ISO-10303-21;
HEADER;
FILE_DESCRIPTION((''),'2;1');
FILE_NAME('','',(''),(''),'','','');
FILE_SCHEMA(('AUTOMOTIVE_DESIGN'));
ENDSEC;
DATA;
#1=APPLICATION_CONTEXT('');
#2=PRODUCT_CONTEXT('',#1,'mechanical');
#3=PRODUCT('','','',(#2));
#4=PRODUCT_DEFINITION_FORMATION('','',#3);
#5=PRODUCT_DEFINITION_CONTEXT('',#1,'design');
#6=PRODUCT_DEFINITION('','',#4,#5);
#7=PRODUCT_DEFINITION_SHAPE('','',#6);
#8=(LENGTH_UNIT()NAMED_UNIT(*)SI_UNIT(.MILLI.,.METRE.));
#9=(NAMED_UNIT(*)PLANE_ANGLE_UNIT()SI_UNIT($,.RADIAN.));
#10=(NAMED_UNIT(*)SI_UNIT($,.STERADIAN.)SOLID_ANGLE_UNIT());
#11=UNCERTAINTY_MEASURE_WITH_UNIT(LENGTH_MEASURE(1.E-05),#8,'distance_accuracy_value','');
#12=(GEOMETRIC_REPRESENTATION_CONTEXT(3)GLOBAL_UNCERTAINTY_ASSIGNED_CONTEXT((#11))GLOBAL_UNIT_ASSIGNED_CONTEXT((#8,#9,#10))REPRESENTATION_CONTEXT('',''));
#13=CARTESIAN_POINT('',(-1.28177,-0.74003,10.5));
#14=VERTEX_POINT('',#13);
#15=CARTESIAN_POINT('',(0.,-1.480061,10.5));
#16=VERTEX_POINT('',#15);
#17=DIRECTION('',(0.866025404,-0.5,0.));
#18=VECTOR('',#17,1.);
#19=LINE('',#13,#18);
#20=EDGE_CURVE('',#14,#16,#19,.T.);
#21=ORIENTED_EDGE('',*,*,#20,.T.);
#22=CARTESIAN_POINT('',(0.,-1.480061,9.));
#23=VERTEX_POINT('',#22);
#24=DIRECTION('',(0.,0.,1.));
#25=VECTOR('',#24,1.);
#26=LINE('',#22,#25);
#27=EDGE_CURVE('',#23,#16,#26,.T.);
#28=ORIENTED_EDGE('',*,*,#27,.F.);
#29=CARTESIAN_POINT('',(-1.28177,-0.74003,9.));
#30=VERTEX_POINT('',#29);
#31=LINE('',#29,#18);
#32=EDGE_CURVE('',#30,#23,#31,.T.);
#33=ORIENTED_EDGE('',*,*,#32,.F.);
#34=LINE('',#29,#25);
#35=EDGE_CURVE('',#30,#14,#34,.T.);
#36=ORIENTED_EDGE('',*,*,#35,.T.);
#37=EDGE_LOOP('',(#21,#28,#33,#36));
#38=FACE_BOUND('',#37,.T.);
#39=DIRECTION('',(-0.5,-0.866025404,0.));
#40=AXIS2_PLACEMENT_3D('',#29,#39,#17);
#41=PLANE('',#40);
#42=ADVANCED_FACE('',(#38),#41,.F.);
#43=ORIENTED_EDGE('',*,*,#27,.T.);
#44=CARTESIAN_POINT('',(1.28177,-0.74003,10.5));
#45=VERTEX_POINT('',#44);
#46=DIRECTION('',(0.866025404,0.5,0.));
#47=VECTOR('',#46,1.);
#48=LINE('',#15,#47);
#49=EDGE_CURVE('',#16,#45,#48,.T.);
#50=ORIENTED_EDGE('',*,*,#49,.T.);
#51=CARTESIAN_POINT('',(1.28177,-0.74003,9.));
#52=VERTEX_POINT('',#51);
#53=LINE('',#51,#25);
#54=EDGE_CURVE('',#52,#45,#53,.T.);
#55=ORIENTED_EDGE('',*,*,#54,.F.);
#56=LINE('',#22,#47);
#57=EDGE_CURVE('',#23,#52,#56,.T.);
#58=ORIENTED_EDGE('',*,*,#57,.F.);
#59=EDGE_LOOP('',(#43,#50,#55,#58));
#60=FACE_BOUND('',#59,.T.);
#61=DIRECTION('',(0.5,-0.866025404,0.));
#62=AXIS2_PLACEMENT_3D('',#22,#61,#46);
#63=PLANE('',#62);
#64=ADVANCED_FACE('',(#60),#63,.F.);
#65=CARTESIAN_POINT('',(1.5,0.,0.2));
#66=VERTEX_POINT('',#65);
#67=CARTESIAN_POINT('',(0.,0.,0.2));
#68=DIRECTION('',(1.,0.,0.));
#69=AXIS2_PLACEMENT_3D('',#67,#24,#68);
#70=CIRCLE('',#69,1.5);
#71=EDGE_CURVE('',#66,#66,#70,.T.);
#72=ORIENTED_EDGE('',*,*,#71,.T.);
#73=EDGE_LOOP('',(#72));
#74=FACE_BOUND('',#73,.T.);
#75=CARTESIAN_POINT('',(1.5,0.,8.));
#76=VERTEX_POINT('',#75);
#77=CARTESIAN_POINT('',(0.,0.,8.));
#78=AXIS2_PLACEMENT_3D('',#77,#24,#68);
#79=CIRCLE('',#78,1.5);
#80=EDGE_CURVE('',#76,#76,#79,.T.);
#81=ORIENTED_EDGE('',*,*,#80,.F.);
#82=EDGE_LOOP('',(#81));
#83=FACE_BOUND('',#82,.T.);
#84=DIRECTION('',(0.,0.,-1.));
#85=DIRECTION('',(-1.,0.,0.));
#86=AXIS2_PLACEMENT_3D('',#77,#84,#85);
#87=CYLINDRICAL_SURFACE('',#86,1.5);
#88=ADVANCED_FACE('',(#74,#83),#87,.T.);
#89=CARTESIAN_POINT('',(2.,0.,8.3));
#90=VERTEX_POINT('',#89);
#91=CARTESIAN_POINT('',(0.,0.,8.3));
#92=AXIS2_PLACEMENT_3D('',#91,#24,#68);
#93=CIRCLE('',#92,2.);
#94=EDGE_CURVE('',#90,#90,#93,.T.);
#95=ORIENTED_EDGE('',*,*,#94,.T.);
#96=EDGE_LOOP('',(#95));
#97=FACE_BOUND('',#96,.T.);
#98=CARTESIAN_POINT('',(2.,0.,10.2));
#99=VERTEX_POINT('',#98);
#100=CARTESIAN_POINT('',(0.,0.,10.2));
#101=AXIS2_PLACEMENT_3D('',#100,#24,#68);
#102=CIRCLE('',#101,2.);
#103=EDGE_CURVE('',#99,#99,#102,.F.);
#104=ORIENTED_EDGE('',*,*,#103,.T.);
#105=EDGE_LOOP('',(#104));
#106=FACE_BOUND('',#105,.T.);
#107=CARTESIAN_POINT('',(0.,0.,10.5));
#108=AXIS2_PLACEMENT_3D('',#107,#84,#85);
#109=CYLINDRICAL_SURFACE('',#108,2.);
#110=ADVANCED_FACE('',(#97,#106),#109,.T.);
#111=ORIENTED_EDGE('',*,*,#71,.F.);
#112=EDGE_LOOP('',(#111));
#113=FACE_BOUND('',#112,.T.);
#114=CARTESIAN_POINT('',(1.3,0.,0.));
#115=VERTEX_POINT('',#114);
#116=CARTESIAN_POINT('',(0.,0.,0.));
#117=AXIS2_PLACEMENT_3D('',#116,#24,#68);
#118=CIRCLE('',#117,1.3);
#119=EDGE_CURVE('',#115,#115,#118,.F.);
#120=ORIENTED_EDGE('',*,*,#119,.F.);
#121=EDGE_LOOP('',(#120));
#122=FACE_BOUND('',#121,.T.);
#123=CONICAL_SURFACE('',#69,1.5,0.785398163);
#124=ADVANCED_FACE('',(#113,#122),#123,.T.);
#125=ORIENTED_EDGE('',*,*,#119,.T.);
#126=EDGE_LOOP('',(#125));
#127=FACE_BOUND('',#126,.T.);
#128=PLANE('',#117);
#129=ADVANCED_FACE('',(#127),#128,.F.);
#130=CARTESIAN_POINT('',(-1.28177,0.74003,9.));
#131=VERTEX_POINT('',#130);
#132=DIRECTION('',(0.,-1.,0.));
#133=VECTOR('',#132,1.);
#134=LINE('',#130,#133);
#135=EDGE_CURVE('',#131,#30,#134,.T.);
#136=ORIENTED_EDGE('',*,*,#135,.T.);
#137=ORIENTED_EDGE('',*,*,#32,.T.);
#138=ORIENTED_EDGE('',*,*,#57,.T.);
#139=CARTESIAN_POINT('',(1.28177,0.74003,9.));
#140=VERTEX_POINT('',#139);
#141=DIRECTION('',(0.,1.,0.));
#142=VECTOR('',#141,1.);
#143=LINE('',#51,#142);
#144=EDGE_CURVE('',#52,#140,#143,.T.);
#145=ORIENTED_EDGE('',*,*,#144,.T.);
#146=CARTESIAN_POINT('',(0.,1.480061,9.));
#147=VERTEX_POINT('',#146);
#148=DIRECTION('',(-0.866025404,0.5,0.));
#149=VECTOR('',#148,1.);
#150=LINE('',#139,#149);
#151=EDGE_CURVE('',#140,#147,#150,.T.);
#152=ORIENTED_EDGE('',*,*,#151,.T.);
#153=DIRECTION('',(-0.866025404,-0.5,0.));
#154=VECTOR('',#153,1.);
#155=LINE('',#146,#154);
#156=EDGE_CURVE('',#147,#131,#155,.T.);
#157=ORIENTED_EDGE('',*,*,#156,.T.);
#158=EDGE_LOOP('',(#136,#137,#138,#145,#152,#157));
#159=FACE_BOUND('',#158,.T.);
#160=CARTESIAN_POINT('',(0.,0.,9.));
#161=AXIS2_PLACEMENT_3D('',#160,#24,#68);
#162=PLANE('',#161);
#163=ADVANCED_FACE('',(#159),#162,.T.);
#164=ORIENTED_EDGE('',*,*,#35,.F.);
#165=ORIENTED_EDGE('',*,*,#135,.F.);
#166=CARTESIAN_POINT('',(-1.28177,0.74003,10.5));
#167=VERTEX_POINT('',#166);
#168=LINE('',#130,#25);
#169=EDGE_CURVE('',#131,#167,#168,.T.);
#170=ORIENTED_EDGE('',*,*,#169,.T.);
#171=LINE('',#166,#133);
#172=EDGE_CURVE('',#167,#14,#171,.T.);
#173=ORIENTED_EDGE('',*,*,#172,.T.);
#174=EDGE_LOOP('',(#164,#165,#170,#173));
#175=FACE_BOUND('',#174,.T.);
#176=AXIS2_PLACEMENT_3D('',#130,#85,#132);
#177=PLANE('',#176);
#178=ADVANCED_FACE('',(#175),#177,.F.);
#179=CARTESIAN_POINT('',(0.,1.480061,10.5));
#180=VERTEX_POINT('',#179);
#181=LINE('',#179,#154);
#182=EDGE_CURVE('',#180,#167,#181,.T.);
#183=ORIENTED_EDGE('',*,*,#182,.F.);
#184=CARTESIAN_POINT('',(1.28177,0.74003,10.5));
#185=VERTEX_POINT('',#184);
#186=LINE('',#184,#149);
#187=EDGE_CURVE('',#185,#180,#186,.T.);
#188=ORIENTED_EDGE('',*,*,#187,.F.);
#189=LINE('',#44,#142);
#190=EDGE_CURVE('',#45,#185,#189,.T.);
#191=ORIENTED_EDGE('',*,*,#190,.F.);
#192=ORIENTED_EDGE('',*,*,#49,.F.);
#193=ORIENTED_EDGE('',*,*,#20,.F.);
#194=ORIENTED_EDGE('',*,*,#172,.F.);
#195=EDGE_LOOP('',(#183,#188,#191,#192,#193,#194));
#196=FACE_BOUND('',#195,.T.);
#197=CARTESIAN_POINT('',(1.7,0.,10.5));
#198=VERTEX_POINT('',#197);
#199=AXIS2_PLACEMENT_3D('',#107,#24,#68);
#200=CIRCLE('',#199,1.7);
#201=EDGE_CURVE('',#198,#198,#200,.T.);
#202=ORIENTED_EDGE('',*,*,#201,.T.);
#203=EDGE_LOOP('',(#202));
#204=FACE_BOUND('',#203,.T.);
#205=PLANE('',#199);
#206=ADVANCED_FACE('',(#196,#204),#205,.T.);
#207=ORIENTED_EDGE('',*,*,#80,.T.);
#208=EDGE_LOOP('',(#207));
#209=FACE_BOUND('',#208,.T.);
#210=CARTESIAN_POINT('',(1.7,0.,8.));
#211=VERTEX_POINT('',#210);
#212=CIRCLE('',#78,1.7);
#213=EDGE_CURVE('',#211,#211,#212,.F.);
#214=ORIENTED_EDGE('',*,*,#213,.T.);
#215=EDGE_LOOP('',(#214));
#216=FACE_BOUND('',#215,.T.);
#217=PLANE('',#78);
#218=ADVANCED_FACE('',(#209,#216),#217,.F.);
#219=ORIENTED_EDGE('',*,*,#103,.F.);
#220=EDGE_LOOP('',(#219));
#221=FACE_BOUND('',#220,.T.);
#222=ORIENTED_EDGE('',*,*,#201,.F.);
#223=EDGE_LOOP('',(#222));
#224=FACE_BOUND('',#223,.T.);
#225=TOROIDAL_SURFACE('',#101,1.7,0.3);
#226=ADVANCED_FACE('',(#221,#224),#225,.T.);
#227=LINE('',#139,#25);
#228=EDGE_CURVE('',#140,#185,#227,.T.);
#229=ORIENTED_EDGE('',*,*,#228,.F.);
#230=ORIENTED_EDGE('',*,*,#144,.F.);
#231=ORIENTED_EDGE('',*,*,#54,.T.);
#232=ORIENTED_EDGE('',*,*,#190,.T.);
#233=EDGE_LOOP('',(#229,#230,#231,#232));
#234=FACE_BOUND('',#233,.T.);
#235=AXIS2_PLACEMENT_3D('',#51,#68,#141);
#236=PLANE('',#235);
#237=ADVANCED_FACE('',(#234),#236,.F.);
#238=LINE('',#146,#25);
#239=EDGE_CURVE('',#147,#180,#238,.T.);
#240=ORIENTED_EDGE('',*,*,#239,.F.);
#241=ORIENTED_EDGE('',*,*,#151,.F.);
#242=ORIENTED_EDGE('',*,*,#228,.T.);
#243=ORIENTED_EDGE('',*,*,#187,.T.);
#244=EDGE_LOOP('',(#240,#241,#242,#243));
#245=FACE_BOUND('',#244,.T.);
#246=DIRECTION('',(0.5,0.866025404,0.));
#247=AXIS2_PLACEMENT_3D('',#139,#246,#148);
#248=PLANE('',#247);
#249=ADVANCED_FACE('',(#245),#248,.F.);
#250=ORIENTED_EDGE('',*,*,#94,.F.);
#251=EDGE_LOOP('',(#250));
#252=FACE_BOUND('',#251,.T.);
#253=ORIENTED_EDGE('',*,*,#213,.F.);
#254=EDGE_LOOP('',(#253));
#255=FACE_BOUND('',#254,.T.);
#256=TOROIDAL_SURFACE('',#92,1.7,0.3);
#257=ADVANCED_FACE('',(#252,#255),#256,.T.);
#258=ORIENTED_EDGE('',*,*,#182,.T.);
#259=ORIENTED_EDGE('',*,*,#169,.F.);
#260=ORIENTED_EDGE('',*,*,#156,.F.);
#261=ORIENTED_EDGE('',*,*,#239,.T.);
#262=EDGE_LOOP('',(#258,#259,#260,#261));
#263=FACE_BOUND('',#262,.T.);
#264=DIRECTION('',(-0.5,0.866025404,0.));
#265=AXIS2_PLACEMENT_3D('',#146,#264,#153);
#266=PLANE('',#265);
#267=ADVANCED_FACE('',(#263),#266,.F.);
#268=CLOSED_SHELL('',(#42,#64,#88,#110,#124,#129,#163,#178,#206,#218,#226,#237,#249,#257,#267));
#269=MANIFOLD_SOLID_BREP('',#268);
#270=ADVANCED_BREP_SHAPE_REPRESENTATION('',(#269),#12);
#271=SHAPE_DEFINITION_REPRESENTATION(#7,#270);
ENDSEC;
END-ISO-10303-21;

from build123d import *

# Parameters (mm, degrees)
SKETCH_1_R          = 1.5
EXTRUDE_1_DEPTH     = 8
SKETCH_2_R          = 2
EXTRUDE_2_DEPTH     = 2.5
CUT_EXTRUDE_1_DEPTH = 1.5
FILLET_1_R          = 0.3
CHAMFER_1_SIZE      = 0.2


with BuildPart() as part:
    # 草图1 → 凸台-拉伸1 (new body)
    with BuildSketch(Plane.XY):
        Circle(SKETCH_1_R)
    extrude(amount=EXTRUDE_1_DEPTH)

    # 草图2 → 凸台-拉伸2 (add)
    with BuildSketch(Plane.XY.offset(8)):
        Circle(SKETCH_2_R)
    extrude(amount=EXTRUDE_2_DEPTH)

    # 草图3 → 切除-拉伸1 (cut)
    with BuildSketch(Plane.XY.offset(10.5)):
        Polygon((0, 1.480060872), (-1.281770315, 0.740030436), (-1.281770315, -0.740030436), (0, -1.480060872), (1.281770315, -0.740030436), (1.281770315, 0.740030436), align=None)
    extrude(amount=-CUT_EXTRUDE_1_DEPTH, mode=Mode.SUBTRACT)

    # 圆角1
    fillet_1_edges = [part.edges().sort_by_distance(p)[0] for p in [
        (-2, 0, 8),
        (-2, 0, 10.5),
    ]]
    fillet(fillet_1_edges, radius=FILLET_1_R)

    # 倒角1
    chamfer_1_edges = [part.edges().sort_by_distance(p)[0] for p in [
        (-1.5, 0, 0),
    ]]
    chamfer(chamfer_1_edges, length=CHAMFER_1_SIZE)


solid = part.part
